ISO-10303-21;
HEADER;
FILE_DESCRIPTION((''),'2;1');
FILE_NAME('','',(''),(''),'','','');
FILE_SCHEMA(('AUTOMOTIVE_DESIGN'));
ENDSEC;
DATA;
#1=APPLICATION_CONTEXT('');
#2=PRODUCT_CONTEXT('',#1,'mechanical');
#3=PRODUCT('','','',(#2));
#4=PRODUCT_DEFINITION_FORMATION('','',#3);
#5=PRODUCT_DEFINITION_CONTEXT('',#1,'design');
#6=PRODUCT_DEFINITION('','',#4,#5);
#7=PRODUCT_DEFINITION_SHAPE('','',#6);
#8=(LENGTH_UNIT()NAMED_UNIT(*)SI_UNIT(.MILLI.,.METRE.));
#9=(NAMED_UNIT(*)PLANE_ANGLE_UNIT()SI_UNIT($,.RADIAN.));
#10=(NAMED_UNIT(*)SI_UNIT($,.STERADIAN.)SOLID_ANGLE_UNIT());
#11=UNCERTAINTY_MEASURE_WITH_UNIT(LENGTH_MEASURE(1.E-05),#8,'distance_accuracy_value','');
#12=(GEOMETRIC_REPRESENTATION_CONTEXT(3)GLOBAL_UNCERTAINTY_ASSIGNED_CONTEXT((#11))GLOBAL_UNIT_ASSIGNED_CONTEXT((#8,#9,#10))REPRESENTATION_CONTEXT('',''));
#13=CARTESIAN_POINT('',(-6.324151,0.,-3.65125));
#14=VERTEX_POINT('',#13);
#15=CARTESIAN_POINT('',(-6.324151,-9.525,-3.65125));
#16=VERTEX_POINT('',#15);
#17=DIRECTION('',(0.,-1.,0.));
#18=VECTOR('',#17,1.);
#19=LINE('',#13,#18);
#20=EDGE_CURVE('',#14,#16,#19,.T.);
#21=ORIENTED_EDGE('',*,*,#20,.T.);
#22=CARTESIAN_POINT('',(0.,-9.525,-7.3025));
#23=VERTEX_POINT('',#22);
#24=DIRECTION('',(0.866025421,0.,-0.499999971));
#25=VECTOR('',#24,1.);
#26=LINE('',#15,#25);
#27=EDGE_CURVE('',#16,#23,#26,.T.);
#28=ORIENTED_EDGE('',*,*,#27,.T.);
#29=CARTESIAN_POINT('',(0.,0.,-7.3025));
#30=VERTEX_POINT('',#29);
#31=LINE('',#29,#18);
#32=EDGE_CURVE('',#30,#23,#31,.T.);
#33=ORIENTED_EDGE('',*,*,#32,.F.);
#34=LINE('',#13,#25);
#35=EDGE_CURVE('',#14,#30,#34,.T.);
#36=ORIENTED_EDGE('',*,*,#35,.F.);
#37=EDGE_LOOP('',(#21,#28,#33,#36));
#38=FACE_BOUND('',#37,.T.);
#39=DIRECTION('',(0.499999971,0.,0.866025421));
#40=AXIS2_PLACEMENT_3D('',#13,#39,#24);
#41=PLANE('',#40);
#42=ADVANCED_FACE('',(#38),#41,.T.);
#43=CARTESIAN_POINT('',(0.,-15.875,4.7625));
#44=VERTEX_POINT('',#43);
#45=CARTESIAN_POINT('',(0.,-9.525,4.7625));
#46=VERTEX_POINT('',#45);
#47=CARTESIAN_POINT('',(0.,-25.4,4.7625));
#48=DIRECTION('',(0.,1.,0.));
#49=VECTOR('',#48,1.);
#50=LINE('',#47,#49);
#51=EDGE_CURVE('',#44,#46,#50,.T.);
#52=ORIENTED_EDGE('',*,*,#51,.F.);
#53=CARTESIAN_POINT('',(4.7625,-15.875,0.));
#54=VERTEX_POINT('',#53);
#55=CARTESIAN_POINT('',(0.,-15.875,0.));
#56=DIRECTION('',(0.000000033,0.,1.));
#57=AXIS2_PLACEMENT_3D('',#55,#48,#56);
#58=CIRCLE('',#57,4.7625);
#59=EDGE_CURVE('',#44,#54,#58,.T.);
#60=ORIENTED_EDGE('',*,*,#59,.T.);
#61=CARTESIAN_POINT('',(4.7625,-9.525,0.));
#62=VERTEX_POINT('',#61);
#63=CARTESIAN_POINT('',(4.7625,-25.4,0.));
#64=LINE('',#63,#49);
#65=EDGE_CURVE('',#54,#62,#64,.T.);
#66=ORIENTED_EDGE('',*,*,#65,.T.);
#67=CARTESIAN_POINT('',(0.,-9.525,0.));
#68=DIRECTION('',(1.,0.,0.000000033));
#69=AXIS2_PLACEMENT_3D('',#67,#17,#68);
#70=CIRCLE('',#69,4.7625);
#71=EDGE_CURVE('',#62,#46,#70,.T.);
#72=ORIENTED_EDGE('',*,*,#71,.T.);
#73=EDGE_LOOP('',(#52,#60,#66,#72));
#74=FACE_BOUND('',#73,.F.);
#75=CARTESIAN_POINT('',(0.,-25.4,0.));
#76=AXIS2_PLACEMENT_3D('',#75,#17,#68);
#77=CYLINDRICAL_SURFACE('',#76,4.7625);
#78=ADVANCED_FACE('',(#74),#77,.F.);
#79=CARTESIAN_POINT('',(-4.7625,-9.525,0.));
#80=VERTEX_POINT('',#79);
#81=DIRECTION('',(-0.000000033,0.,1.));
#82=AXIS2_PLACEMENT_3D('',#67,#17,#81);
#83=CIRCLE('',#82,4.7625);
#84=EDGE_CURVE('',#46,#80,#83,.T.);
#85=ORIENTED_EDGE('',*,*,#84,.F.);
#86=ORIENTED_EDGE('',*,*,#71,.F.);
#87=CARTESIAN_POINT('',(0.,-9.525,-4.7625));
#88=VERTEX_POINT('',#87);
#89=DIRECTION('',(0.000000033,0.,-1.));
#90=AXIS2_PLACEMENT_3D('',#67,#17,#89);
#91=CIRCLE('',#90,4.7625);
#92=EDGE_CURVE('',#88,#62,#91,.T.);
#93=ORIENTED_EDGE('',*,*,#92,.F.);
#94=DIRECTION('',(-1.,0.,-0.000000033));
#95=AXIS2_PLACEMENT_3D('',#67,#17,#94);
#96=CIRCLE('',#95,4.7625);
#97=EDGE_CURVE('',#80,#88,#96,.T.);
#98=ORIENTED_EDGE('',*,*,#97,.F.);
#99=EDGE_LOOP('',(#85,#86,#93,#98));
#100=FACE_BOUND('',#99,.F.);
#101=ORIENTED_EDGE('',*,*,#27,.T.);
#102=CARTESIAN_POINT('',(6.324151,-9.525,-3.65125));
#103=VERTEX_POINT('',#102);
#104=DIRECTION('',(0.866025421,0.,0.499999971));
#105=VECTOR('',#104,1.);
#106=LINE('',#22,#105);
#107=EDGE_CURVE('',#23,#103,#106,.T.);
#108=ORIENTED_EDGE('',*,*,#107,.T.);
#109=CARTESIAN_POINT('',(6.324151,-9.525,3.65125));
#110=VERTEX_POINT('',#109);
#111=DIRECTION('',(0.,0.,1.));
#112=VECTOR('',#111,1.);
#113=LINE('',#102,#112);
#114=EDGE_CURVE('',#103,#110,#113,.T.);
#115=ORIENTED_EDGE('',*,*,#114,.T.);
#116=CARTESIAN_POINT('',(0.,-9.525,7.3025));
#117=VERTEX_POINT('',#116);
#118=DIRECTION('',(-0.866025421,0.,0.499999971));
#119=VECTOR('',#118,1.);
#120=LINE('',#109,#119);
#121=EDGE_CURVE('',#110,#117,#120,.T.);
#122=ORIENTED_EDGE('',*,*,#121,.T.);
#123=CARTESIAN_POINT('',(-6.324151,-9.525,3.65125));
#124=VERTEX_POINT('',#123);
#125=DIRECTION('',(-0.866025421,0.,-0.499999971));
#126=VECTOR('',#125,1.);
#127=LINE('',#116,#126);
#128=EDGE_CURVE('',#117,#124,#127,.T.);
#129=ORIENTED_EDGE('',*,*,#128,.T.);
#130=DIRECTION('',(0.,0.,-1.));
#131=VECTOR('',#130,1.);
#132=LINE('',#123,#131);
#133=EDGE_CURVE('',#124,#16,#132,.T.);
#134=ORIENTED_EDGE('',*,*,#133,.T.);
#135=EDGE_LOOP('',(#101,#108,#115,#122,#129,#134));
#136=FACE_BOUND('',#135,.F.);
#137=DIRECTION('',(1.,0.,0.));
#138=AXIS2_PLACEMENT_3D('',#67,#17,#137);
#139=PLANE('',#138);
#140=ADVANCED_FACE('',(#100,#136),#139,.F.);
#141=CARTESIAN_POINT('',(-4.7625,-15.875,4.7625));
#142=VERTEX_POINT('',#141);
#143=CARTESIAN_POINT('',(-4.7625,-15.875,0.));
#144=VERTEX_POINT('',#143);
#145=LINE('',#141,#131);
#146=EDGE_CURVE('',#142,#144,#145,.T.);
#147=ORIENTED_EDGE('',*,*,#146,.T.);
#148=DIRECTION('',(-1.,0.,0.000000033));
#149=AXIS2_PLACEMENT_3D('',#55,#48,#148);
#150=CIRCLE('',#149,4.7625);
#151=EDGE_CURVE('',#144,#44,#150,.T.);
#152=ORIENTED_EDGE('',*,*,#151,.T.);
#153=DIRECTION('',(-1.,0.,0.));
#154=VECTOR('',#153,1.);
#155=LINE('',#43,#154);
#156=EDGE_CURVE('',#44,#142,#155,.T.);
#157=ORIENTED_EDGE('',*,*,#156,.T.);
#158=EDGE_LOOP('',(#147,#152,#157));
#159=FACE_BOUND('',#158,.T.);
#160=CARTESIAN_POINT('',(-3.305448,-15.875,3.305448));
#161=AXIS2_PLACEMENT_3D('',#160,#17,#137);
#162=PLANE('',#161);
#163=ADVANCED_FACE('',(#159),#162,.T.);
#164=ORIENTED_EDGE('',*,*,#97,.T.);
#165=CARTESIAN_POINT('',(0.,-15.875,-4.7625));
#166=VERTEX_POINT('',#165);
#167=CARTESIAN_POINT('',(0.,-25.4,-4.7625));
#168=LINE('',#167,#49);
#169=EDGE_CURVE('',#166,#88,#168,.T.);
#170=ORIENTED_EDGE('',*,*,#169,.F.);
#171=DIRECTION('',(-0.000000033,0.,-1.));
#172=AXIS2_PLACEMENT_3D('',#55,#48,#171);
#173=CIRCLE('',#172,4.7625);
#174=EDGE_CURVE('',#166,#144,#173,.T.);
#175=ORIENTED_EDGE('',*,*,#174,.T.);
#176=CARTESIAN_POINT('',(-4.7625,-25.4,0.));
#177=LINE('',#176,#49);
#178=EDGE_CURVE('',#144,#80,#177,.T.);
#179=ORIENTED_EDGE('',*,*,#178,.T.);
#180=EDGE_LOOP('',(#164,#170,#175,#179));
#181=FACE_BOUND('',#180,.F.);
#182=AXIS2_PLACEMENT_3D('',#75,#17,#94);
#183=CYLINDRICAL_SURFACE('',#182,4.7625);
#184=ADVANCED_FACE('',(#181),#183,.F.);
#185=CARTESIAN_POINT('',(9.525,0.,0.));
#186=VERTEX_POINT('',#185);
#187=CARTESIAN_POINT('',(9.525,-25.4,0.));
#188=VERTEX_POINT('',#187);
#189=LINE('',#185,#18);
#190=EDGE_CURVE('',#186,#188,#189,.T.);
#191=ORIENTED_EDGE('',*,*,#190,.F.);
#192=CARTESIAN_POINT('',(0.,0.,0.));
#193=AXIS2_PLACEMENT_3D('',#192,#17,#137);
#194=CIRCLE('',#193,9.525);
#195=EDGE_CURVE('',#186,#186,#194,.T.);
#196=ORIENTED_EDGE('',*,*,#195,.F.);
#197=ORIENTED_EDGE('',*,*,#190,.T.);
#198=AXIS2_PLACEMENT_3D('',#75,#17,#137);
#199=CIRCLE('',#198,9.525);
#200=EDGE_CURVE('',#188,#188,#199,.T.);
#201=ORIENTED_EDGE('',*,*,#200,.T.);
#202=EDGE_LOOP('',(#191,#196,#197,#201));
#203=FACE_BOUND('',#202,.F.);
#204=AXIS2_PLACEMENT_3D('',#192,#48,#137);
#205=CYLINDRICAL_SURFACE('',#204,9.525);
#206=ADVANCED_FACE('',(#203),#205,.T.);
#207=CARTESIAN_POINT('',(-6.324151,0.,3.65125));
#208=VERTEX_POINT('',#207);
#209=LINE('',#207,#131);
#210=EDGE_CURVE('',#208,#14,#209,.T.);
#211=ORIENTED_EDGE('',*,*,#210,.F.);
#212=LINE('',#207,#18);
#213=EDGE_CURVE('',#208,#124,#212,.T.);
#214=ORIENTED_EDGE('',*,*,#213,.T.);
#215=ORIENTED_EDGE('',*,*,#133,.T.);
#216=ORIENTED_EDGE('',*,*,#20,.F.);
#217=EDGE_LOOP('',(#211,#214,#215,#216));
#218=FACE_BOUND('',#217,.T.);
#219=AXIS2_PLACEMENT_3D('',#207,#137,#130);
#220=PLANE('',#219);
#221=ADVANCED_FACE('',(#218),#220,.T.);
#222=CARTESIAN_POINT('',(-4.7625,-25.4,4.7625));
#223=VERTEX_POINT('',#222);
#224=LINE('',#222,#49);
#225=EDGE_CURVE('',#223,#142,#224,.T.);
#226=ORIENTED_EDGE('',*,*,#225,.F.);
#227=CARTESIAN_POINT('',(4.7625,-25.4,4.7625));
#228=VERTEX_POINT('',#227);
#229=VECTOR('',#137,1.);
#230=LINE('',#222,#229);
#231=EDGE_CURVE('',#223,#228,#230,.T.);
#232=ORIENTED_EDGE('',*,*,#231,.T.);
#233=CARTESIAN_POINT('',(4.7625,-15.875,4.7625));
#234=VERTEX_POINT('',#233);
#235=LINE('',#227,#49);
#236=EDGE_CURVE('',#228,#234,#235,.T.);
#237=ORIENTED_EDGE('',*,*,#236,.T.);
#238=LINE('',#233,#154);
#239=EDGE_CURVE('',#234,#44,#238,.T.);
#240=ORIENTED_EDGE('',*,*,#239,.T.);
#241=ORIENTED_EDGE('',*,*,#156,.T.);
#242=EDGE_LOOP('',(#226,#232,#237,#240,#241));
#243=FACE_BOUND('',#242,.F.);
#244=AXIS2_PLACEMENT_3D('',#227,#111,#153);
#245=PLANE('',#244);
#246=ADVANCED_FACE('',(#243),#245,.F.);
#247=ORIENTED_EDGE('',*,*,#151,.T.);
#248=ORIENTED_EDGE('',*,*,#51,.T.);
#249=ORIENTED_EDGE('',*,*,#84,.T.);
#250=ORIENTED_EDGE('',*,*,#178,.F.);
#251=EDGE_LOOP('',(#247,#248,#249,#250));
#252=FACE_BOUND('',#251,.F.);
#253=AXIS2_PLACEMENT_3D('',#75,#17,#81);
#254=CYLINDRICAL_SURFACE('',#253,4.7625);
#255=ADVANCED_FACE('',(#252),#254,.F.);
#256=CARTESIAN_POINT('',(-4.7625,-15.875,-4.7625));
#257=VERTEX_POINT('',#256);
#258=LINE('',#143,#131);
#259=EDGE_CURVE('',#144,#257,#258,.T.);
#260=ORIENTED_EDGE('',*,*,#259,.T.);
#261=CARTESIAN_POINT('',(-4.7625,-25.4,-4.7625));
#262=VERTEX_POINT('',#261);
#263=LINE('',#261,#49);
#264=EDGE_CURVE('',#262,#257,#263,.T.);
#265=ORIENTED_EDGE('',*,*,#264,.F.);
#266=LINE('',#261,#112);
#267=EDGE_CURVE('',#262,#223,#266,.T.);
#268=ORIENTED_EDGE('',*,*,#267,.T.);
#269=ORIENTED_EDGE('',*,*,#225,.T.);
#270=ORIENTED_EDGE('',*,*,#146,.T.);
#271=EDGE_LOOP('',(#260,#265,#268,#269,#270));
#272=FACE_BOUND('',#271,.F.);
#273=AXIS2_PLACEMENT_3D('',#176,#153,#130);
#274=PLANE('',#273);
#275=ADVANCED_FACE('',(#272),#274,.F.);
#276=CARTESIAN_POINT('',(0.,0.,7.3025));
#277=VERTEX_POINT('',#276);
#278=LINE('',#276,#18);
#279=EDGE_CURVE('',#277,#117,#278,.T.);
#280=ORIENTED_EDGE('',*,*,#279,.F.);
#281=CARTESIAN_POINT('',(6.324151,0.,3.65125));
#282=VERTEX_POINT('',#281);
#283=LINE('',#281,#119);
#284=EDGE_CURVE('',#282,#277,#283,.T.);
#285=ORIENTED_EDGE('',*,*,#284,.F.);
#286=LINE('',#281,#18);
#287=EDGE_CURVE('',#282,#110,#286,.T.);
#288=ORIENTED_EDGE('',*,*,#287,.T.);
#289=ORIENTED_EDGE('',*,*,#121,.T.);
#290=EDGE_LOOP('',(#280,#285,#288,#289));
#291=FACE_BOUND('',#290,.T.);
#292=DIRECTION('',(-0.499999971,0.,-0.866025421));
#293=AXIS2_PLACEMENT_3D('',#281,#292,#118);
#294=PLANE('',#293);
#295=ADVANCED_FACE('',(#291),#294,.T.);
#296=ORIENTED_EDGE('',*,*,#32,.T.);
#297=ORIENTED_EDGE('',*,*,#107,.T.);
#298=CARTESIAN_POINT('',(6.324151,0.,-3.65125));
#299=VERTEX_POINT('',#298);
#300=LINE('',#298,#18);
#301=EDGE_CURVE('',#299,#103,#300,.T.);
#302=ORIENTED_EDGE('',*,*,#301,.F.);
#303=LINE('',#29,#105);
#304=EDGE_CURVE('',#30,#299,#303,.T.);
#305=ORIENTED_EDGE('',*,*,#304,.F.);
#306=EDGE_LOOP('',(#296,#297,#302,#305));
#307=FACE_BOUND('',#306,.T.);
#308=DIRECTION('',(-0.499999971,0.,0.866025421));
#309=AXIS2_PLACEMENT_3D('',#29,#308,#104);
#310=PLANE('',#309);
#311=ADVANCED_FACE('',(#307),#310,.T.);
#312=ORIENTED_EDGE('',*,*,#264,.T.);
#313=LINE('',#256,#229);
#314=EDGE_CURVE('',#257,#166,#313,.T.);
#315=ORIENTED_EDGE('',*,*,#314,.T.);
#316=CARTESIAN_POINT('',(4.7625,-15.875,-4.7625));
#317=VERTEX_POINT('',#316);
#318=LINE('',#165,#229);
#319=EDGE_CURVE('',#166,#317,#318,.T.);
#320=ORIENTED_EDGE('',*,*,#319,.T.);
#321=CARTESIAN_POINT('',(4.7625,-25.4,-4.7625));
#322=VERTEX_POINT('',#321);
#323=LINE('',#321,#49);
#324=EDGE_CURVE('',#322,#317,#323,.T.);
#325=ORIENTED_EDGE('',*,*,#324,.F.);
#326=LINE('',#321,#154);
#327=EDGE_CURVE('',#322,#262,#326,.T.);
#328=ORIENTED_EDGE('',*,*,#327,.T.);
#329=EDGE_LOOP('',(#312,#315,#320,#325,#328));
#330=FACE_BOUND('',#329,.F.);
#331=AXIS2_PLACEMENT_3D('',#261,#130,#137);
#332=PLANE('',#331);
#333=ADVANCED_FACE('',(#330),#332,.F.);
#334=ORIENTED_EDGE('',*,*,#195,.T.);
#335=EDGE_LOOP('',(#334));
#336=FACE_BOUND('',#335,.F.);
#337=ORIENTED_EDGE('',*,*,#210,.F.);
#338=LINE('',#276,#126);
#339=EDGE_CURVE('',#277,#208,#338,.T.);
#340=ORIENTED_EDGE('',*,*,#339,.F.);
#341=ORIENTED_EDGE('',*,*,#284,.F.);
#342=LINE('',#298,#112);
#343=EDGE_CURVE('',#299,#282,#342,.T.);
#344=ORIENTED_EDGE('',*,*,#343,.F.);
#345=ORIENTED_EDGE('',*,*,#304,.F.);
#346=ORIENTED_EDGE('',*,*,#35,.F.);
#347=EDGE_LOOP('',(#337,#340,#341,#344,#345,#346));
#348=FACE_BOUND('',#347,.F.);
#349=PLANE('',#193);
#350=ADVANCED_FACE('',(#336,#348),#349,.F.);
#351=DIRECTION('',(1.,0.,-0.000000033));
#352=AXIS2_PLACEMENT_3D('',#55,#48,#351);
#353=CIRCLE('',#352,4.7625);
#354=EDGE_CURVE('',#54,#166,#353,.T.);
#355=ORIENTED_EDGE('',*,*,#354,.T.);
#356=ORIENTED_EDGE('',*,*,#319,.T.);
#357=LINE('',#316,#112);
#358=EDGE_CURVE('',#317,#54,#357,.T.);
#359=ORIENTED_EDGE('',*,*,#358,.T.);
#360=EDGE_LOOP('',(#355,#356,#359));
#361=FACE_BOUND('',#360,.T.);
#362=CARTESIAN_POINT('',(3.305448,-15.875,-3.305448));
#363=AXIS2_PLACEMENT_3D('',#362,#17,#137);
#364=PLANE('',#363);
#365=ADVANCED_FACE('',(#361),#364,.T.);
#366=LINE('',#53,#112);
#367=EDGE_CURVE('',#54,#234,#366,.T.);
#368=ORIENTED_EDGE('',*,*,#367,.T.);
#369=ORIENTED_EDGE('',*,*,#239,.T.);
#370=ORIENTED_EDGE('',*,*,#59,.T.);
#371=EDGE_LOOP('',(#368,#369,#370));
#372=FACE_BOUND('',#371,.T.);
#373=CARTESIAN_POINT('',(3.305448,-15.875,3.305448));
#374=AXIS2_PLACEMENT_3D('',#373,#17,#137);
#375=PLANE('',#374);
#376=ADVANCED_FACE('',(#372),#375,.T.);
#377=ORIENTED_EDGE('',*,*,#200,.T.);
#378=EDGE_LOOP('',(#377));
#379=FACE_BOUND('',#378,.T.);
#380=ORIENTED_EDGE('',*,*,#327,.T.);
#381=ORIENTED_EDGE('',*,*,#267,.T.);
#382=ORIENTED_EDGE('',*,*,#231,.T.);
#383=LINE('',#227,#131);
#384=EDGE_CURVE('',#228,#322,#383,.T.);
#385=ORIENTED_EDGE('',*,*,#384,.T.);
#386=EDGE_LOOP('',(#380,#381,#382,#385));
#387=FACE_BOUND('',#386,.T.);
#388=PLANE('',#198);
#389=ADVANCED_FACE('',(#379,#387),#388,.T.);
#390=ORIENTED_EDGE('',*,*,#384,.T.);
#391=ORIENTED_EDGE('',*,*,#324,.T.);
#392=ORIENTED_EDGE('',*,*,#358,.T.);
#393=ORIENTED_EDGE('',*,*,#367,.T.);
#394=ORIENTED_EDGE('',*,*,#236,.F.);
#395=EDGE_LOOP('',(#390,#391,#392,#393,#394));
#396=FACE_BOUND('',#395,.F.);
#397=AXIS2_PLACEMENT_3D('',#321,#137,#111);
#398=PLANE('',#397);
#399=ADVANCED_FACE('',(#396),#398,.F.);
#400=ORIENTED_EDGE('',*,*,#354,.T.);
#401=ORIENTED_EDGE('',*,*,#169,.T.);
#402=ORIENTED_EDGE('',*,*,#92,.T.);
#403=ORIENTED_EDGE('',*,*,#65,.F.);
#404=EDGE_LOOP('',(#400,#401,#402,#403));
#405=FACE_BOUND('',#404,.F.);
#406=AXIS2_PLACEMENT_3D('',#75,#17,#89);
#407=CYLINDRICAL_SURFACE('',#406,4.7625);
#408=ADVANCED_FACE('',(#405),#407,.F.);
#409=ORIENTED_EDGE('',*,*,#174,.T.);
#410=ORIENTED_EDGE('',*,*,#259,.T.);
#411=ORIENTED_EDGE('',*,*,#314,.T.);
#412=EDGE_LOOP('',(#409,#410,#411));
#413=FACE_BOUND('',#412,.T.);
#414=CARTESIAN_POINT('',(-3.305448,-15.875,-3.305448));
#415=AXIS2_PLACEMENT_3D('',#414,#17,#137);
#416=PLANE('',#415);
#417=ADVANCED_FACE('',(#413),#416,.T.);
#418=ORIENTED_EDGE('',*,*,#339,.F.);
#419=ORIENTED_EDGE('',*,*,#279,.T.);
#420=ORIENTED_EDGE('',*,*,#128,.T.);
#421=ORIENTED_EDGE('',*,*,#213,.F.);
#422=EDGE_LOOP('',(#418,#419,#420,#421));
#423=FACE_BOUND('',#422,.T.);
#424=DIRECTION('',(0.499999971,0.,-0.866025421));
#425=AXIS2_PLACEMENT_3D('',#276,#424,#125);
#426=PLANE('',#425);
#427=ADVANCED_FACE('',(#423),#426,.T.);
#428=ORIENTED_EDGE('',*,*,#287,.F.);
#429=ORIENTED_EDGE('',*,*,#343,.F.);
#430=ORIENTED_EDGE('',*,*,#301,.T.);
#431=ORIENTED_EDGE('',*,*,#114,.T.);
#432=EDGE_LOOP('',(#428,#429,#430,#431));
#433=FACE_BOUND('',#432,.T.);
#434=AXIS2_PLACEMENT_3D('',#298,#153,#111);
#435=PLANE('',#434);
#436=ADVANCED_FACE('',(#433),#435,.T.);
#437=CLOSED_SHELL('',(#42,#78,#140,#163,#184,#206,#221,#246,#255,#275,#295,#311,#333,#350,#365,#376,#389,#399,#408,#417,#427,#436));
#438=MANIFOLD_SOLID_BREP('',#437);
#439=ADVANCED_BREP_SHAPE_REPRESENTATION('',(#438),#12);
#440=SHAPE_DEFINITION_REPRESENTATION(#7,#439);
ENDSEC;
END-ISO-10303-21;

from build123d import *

# Parameters (mm, degrees)
F0_R     = 9.525
F1_DEPTH = 25.4
F3_DEPTH = 25.401
F4_DEPTH = 9.525
F6_DEPTH = 9.525


with BuildPart() as f1:
    # F0 (on Front) → F1 (new body)
    with BuildSketch(Plane.XZ):
        Circle(F0_R)
    extrude(amount=F1_DEPTH)

    # F2 (on face) → F3 (cut, through all)
    with BuildSketch(Plane.XZ.offset(25.4)):
        with BuildLine():
            ThreePointArc((-4.7625, 0), (-3.367596, -3.367596), (0, -4.7625))
            ThreePointArc((0, -4.7625), (3.367596, -3.367596), (4.7625, 0))
            ThreePointArc((4.7625, 0), (3.367596, 3.367596), (0, 4.7625))
            ThreePointArc((0, 4.7625), (-3.367596, 3.367596), (-4.7625, 0))
        make_face()
    extrude(amount=-F3_DEPTH, mode=Mode.SUBTRACT)

    # F2 (on face) → F4 (cut)
    with BuildSketch(Plane.XZ.offset(25.4)):
        with BuildLine():
            Line((0, -4.7625), (4.7625, -4.7625))
            Line((4.7625, -4.7625), (4.7625, 0))
            ThreePointArc((4.7625, 0), (3.367596, -3.367596), (0, -4.7625))
        make_face()
        with BuildLine():
            Line((-4.7625, -4.7625), (0, -4.7625))
            ThreePointArc((0, -4.7625), (-3.367596, -3.367596), (-4.7625, 0))
            Line((-4.7625, 0), (-4.7625, -4.7625))
        make_face()
        with BuildLine():
            ThreePointArc((0, 4.7625), (3.367596, 3.367596), (4.7625, 0))
            Line((4.7625, 0), (4.7625, 4.7625))
            Line((4.7625, 4.7625), (0, 4.7625))
        make_face()
        with BuildLine():
            Line((-4.7625, 4.7625), (-4.7625, 0))
            ThreePointArc((-4.7625, 0), (-3.367596, 3.367596), (0, 4.7625))
            Line((0, 4.7625), (-4.7625, 4.7625))
        make_face()
    extrude(amount=-F4_DEPTH, mode=Mode.SUBTRACT)

    # F5 (on Front) → F6 (cut)
    with BuildSketch(Plane.XZ):
        Polygon((6.324151, 3.65125), (0, 7.3025), (-6.324151, 3.65125), (-6.324151, -3.65125), (0, -7.3025), (6.324151, -3.65125), align=None)
    extrude(amount=F6_DEPTH, mode=Mode.SUBTRACT)


solid = f1.part
